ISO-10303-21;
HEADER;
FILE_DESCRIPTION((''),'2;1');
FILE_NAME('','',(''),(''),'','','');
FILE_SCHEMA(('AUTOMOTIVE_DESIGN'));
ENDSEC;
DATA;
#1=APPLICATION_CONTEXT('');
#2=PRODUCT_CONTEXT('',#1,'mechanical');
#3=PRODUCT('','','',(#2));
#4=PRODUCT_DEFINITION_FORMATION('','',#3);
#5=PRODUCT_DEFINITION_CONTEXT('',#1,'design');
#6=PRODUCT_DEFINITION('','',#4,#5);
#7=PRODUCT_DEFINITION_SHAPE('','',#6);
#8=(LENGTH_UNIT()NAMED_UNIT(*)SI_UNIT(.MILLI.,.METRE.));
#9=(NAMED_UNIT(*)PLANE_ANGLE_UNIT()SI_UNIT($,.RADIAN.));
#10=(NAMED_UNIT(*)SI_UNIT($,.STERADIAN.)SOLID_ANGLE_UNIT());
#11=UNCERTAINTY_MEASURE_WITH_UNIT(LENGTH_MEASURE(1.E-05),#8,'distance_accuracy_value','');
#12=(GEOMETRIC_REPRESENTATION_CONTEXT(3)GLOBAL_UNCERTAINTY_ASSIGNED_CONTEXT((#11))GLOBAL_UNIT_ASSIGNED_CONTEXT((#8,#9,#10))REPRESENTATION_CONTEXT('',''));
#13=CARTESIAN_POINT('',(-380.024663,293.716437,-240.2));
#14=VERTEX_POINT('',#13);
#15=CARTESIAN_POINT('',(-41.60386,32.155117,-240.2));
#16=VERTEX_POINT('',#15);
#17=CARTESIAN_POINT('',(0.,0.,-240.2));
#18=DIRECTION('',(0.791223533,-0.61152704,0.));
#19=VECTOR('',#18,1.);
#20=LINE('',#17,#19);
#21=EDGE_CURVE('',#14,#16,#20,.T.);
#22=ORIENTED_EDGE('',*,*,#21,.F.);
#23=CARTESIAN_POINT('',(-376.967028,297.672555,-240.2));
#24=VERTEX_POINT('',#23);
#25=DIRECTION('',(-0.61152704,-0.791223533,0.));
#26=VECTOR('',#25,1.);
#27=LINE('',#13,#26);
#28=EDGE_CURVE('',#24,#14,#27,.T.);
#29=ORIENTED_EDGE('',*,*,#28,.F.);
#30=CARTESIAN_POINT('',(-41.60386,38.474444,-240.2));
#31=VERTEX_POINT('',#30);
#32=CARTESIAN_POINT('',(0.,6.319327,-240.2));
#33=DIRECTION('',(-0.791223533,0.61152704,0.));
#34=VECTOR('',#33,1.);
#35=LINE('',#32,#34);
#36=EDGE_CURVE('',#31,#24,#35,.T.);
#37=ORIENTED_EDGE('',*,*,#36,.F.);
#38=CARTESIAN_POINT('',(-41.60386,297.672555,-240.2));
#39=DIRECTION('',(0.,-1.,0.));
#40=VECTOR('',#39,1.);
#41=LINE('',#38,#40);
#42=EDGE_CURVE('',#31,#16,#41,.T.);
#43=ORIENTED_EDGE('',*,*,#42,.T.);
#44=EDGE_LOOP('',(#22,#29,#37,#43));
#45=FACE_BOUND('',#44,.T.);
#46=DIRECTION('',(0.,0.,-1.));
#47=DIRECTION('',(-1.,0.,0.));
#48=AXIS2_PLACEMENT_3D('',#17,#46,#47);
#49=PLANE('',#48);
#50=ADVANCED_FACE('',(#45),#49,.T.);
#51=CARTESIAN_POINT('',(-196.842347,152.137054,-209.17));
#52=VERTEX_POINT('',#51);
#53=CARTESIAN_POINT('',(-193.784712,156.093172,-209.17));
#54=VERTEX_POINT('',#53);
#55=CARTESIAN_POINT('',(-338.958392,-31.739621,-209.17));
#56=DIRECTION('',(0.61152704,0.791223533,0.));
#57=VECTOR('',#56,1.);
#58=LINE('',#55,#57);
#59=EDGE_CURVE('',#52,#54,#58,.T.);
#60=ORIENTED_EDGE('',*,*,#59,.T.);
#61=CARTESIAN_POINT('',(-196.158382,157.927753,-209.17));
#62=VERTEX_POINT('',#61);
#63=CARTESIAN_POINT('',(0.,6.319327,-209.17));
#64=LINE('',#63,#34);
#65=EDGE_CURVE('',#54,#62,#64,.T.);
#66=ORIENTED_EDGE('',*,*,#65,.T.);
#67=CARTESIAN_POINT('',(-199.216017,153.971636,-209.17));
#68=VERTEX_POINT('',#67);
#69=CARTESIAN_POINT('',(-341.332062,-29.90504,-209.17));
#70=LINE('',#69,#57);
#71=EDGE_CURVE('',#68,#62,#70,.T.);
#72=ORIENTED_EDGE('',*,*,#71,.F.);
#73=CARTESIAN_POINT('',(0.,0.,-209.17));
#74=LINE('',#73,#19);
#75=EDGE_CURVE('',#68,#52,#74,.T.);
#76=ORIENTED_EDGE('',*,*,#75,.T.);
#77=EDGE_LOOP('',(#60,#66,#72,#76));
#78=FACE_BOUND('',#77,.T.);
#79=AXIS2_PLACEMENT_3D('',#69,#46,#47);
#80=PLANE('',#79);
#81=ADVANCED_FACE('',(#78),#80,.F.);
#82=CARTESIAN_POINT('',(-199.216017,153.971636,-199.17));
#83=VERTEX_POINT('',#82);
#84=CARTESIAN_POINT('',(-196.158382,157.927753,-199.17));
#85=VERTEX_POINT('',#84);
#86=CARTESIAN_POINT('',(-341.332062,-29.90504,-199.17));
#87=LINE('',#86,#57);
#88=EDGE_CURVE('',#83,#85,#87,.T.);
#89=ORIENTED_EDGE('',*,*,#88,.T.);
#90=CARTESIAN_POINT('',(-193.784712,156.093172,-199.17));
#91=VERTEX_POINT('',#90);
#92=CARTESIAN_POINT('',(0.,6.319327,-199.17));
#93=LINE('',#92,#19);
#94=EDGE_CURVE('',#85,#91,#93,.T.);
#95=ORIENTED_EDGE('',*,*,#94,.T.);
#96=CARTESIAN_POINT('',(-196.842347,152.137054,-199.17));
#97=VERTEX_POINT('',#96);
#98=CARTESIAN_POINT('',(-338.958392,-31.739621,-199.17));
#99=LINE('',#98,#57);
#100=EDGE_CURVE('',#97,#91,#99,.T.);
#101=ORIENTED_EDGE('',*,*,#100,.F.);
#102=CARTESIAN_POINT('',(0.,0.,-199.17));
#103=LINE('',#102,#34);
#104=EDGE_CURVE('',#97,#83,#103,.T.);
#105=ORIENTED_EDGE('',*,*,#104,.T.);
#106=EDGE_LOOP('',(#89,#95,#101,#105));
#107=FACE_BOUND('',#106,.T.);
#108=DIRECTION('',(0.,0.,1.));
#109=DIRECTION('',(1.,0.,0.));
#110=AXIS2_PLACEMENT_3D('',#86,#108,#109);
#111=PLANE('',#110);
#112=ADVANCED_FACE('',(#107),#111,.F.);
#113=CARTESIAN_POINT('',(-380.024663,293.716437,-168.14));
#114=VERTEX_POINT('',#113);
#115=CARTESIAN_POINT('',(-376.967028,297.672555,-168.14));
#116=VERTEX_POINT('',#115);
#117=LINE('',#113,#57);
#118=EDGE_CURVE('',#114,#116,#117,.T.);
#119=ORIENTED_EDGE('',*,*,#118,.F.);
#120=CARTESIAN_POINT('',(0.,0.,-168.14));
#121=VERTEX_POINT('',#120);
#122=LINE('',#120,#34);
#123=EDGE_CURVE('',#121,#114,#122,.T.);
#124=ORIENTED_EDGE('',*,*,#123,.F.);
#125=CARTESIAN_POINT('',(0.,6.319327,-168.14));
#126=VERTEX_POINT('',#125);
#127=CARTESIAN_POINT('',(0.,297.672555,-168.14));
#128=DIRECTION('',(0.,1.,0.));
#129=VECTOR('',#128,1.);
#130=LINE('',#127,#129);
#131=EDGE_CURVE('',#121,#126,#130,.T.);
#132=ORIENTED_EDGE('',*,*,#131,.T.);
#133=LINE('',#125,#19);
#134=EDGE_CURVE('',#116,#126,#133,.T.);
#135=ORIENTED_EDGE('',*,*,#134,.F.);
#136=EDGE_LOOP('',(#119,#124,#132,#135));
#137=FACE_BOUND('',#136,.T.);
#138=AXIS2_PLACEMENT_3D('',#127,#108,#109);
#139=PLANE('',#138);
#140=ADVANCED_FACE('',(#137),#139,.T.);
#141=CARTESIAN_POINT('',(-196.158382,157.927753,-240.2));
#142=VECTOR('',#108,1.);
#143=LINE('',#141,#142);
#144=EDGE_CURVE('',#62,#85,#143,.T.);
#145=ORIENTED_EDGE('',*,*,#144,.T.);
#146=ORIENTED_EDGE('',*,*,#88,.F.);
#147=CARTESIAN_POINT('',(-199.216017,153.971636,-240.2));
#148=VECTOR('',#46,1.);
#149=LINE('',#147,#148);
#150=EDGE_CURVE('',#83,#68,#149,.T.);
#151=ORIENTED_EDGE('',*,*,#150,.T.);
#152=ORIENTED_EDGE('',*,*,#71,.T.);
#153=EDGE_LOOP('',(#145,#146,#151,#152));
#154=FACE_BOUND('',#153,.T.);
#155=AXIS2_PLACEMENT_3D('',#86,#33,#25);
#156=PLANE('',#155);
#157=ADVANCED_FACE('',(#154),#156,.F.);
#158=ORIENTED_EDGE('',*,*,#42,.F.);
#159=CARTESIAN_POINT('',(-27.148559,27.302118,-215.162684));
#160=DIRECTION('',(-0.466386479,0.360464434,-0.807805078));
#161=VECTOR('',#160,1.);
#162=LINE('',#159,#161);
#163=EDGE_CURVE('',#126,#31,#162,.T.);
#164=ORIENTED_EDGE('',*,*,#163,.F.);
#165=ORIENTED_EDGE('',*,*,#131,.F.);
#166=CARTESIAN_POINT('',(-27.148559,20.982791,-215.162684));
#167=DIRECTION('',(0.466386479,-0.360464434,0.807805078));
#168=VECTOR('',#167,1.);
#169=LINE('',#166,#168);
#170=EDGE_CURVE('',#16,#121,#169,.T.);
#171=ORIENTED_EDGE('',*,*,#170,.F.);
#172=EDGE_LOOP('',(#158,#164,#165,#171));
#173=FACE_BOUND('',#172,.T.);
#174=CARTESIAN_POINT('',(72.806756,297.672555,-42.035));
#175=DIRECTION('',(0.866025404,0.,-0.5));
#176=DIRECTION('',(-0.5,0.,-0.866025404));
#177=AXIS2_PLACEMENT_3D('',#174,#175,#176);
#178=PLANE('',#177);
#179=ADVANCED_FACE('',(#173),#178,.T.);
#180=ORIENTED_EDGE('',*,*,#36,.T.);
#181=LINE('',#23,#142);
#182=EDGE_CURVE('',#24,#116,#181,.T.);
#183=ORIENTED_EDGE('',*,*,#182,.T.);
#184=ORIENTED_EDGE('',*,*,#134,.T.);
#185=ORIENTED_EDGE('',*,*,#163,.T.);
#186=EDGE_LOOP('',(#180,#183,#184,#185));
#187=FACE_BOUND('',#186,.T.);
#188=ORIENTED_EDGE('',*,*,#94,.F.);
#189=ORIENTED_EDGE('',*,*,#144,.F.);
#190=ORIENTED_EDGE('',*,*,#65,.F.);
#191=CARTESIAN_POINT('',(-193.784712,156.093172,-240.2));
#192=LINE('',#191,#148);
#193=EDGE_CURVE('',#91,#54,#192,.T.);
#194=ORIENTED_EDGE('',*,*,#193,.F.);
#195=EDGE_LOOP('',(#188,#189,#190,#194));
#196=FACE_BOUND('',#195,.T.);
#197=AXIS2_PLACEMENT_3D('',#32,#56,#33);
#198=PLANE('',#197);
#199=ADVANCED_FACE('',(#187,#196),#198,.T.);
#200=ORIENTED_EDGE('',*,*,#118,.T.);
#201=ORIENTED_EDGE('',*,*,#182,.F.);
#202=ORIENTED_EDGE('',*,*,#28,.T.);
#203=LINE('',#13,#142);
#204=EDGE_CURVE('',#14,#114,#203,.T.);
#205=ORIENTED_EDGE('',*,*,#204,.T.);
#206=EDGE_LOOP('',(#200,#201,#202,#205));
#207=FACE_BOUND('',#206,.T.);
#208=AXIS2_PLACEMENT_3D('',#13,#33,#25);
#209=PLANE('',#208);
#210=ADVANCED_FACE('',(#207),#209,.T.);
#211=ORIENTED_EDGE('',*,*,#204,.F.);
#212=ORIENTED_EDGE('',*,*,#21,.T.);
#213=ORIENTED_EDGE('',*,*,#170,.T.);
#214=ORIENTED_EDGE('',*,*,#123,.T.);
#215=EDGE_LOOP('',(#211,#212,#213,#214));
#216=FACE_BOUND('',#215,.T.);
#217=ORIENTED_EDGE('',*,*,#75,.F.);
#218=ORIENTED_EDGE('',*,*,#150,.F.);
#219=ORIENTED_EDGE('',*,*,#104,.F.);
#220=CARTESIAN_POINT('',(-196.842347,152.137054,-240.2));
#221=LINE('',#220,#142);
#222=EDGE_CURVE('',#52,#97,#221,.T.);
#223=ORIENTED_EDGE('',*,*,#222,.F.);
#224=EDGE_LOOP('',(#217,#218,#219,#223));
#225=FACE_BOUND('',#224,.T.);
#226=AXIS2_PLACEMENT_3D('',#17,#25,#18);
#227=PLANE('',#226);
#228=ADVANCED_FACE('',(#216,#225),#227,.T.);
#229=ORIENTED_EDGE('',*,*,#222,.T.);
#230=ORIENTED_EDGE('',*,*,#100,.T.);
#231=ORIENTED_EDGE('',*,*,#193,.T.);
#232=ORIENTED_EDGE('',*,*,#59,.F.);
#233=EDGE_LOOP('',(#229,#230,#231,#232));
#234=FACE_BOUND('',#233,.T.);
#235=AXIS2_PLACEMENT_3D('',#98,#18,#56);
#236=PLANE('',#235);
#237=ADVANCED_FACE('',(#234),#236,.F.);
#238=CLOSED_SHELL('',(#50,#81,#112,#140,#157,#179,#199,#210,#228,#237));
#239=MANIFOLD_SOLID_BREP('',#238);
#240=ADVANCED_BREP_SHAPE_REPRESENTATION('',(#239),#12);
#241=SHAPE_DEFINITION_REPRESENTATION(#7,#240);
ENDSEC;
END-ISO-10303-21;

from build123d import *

# Parameters (mm, degrees)
BOSS_EXTRUDE1_DEPTH     = 240.2
CUT_EXTRUDE3_DEPTH      = 540.188032545
CUT_EXTRUDE3_DEPTH_BACK = 540.188032545
SKETCH2_OUTSIDE_W       = 932.224
SKETCH2_OUTSIDE_H       = 412.374
SKETCH2_OUTSIDE_W_2     = 760.049325768
SKETCH2_OUTSIDE_H_2     = 72.06
CUT_EXTRUDE4_DEPTH      = 540.188032545
CUT_EXTRUDE5_DEPTH      = 540.182188788
CUT_EXTRUDE5_DEPTH_BACK = 540.182188788
SKETCH4_W               = 3
SKETCH4_H               = 10


with BuildPart() as part:
    # Sketch1 → Boss-Extrude1 (new body)
    with BuildSketch(Plane.XY):
        Polygon((0, 0), (380.024662884, 293.716437401), (376.967027683, 297.672555066), (0, 6.319326703), (-376.967027683, 297.672555066), (-380.024662884, 293.716437401), align=None)
    extrude(amount=-BOSS_EXTRUDE1_DEPTH)

    # Sketch2 outside → Cut-Extrude3 (cut, two sides: drawn at the far end of the back side and taken through both)
    with BuildSketch(Plane(origin=(0, 0, 0), x_dir=(1, 0, 0), z_dir=(0, 1, 0)).offset(-CUT_EXTRUDE3_DEPTH_BACK)):
        with Locations((0, 120.1)):
            Rectangle(SKETCH2_OUTSIDE_W, SKETCH2_OUTSIDE_H)
        with Locations((0, 204.17)):
            Rectangle(SKETCH2_OUTSIDE_W_2, SKETCH2_OUTSIDE_H_2, mode=Mode.SUBTRACT)
    extrude(amount=CUT_EXTRUDE3_DEPTH + CUT_EXTRUDE3_DEPTH_BACK, mode=Mode.SUBTRACT)

    # Sketch3 → Cut-Extrude4 (cut, through all)
    with BuildSketch(Plane(origin=(0, 0, 0), x_dir=(1, 0, 0), z_dir=(0, 1, 0))):
        Polygon((41.603860398, 240.2), (0, 168.14), (380.024662884, 168.14), (380.024662884, 240.2), align=None)
        Polygon((41.603860398, 240.2), (-41.603860398, 240.2), (0, 168.14), align=None)
    extrude(amount=CUT_EXTRUDE4_DEPTH, mode=Mode.SUBTRACT)

    # Sketch4 → Cut-Extrude5 (cut, two sides: drawn at the far end of the back side and taken through both)
    with BuildSketch(Plane(origin=(3.057635201, 3.956117665, 0), x_dir=(0.7912235329674936, -0.6115270401858268, 0), z_dir=(0.6115270401858268, 0.7912235329674936, 0)).offset(-CUT_EXTRUDE5_DEPTH_BACK)):
        with Locations((-250.282219577, 204.17)):
            Rectangle(SKETCH4_W, SKETCH4_H)
    extrude(amount=CUT_EXTRUDE5_DEPTH + CUT_EXTRUDE5_DEPTH_BACK, mode=Mode.SUBTRACT)


solid = part.part
